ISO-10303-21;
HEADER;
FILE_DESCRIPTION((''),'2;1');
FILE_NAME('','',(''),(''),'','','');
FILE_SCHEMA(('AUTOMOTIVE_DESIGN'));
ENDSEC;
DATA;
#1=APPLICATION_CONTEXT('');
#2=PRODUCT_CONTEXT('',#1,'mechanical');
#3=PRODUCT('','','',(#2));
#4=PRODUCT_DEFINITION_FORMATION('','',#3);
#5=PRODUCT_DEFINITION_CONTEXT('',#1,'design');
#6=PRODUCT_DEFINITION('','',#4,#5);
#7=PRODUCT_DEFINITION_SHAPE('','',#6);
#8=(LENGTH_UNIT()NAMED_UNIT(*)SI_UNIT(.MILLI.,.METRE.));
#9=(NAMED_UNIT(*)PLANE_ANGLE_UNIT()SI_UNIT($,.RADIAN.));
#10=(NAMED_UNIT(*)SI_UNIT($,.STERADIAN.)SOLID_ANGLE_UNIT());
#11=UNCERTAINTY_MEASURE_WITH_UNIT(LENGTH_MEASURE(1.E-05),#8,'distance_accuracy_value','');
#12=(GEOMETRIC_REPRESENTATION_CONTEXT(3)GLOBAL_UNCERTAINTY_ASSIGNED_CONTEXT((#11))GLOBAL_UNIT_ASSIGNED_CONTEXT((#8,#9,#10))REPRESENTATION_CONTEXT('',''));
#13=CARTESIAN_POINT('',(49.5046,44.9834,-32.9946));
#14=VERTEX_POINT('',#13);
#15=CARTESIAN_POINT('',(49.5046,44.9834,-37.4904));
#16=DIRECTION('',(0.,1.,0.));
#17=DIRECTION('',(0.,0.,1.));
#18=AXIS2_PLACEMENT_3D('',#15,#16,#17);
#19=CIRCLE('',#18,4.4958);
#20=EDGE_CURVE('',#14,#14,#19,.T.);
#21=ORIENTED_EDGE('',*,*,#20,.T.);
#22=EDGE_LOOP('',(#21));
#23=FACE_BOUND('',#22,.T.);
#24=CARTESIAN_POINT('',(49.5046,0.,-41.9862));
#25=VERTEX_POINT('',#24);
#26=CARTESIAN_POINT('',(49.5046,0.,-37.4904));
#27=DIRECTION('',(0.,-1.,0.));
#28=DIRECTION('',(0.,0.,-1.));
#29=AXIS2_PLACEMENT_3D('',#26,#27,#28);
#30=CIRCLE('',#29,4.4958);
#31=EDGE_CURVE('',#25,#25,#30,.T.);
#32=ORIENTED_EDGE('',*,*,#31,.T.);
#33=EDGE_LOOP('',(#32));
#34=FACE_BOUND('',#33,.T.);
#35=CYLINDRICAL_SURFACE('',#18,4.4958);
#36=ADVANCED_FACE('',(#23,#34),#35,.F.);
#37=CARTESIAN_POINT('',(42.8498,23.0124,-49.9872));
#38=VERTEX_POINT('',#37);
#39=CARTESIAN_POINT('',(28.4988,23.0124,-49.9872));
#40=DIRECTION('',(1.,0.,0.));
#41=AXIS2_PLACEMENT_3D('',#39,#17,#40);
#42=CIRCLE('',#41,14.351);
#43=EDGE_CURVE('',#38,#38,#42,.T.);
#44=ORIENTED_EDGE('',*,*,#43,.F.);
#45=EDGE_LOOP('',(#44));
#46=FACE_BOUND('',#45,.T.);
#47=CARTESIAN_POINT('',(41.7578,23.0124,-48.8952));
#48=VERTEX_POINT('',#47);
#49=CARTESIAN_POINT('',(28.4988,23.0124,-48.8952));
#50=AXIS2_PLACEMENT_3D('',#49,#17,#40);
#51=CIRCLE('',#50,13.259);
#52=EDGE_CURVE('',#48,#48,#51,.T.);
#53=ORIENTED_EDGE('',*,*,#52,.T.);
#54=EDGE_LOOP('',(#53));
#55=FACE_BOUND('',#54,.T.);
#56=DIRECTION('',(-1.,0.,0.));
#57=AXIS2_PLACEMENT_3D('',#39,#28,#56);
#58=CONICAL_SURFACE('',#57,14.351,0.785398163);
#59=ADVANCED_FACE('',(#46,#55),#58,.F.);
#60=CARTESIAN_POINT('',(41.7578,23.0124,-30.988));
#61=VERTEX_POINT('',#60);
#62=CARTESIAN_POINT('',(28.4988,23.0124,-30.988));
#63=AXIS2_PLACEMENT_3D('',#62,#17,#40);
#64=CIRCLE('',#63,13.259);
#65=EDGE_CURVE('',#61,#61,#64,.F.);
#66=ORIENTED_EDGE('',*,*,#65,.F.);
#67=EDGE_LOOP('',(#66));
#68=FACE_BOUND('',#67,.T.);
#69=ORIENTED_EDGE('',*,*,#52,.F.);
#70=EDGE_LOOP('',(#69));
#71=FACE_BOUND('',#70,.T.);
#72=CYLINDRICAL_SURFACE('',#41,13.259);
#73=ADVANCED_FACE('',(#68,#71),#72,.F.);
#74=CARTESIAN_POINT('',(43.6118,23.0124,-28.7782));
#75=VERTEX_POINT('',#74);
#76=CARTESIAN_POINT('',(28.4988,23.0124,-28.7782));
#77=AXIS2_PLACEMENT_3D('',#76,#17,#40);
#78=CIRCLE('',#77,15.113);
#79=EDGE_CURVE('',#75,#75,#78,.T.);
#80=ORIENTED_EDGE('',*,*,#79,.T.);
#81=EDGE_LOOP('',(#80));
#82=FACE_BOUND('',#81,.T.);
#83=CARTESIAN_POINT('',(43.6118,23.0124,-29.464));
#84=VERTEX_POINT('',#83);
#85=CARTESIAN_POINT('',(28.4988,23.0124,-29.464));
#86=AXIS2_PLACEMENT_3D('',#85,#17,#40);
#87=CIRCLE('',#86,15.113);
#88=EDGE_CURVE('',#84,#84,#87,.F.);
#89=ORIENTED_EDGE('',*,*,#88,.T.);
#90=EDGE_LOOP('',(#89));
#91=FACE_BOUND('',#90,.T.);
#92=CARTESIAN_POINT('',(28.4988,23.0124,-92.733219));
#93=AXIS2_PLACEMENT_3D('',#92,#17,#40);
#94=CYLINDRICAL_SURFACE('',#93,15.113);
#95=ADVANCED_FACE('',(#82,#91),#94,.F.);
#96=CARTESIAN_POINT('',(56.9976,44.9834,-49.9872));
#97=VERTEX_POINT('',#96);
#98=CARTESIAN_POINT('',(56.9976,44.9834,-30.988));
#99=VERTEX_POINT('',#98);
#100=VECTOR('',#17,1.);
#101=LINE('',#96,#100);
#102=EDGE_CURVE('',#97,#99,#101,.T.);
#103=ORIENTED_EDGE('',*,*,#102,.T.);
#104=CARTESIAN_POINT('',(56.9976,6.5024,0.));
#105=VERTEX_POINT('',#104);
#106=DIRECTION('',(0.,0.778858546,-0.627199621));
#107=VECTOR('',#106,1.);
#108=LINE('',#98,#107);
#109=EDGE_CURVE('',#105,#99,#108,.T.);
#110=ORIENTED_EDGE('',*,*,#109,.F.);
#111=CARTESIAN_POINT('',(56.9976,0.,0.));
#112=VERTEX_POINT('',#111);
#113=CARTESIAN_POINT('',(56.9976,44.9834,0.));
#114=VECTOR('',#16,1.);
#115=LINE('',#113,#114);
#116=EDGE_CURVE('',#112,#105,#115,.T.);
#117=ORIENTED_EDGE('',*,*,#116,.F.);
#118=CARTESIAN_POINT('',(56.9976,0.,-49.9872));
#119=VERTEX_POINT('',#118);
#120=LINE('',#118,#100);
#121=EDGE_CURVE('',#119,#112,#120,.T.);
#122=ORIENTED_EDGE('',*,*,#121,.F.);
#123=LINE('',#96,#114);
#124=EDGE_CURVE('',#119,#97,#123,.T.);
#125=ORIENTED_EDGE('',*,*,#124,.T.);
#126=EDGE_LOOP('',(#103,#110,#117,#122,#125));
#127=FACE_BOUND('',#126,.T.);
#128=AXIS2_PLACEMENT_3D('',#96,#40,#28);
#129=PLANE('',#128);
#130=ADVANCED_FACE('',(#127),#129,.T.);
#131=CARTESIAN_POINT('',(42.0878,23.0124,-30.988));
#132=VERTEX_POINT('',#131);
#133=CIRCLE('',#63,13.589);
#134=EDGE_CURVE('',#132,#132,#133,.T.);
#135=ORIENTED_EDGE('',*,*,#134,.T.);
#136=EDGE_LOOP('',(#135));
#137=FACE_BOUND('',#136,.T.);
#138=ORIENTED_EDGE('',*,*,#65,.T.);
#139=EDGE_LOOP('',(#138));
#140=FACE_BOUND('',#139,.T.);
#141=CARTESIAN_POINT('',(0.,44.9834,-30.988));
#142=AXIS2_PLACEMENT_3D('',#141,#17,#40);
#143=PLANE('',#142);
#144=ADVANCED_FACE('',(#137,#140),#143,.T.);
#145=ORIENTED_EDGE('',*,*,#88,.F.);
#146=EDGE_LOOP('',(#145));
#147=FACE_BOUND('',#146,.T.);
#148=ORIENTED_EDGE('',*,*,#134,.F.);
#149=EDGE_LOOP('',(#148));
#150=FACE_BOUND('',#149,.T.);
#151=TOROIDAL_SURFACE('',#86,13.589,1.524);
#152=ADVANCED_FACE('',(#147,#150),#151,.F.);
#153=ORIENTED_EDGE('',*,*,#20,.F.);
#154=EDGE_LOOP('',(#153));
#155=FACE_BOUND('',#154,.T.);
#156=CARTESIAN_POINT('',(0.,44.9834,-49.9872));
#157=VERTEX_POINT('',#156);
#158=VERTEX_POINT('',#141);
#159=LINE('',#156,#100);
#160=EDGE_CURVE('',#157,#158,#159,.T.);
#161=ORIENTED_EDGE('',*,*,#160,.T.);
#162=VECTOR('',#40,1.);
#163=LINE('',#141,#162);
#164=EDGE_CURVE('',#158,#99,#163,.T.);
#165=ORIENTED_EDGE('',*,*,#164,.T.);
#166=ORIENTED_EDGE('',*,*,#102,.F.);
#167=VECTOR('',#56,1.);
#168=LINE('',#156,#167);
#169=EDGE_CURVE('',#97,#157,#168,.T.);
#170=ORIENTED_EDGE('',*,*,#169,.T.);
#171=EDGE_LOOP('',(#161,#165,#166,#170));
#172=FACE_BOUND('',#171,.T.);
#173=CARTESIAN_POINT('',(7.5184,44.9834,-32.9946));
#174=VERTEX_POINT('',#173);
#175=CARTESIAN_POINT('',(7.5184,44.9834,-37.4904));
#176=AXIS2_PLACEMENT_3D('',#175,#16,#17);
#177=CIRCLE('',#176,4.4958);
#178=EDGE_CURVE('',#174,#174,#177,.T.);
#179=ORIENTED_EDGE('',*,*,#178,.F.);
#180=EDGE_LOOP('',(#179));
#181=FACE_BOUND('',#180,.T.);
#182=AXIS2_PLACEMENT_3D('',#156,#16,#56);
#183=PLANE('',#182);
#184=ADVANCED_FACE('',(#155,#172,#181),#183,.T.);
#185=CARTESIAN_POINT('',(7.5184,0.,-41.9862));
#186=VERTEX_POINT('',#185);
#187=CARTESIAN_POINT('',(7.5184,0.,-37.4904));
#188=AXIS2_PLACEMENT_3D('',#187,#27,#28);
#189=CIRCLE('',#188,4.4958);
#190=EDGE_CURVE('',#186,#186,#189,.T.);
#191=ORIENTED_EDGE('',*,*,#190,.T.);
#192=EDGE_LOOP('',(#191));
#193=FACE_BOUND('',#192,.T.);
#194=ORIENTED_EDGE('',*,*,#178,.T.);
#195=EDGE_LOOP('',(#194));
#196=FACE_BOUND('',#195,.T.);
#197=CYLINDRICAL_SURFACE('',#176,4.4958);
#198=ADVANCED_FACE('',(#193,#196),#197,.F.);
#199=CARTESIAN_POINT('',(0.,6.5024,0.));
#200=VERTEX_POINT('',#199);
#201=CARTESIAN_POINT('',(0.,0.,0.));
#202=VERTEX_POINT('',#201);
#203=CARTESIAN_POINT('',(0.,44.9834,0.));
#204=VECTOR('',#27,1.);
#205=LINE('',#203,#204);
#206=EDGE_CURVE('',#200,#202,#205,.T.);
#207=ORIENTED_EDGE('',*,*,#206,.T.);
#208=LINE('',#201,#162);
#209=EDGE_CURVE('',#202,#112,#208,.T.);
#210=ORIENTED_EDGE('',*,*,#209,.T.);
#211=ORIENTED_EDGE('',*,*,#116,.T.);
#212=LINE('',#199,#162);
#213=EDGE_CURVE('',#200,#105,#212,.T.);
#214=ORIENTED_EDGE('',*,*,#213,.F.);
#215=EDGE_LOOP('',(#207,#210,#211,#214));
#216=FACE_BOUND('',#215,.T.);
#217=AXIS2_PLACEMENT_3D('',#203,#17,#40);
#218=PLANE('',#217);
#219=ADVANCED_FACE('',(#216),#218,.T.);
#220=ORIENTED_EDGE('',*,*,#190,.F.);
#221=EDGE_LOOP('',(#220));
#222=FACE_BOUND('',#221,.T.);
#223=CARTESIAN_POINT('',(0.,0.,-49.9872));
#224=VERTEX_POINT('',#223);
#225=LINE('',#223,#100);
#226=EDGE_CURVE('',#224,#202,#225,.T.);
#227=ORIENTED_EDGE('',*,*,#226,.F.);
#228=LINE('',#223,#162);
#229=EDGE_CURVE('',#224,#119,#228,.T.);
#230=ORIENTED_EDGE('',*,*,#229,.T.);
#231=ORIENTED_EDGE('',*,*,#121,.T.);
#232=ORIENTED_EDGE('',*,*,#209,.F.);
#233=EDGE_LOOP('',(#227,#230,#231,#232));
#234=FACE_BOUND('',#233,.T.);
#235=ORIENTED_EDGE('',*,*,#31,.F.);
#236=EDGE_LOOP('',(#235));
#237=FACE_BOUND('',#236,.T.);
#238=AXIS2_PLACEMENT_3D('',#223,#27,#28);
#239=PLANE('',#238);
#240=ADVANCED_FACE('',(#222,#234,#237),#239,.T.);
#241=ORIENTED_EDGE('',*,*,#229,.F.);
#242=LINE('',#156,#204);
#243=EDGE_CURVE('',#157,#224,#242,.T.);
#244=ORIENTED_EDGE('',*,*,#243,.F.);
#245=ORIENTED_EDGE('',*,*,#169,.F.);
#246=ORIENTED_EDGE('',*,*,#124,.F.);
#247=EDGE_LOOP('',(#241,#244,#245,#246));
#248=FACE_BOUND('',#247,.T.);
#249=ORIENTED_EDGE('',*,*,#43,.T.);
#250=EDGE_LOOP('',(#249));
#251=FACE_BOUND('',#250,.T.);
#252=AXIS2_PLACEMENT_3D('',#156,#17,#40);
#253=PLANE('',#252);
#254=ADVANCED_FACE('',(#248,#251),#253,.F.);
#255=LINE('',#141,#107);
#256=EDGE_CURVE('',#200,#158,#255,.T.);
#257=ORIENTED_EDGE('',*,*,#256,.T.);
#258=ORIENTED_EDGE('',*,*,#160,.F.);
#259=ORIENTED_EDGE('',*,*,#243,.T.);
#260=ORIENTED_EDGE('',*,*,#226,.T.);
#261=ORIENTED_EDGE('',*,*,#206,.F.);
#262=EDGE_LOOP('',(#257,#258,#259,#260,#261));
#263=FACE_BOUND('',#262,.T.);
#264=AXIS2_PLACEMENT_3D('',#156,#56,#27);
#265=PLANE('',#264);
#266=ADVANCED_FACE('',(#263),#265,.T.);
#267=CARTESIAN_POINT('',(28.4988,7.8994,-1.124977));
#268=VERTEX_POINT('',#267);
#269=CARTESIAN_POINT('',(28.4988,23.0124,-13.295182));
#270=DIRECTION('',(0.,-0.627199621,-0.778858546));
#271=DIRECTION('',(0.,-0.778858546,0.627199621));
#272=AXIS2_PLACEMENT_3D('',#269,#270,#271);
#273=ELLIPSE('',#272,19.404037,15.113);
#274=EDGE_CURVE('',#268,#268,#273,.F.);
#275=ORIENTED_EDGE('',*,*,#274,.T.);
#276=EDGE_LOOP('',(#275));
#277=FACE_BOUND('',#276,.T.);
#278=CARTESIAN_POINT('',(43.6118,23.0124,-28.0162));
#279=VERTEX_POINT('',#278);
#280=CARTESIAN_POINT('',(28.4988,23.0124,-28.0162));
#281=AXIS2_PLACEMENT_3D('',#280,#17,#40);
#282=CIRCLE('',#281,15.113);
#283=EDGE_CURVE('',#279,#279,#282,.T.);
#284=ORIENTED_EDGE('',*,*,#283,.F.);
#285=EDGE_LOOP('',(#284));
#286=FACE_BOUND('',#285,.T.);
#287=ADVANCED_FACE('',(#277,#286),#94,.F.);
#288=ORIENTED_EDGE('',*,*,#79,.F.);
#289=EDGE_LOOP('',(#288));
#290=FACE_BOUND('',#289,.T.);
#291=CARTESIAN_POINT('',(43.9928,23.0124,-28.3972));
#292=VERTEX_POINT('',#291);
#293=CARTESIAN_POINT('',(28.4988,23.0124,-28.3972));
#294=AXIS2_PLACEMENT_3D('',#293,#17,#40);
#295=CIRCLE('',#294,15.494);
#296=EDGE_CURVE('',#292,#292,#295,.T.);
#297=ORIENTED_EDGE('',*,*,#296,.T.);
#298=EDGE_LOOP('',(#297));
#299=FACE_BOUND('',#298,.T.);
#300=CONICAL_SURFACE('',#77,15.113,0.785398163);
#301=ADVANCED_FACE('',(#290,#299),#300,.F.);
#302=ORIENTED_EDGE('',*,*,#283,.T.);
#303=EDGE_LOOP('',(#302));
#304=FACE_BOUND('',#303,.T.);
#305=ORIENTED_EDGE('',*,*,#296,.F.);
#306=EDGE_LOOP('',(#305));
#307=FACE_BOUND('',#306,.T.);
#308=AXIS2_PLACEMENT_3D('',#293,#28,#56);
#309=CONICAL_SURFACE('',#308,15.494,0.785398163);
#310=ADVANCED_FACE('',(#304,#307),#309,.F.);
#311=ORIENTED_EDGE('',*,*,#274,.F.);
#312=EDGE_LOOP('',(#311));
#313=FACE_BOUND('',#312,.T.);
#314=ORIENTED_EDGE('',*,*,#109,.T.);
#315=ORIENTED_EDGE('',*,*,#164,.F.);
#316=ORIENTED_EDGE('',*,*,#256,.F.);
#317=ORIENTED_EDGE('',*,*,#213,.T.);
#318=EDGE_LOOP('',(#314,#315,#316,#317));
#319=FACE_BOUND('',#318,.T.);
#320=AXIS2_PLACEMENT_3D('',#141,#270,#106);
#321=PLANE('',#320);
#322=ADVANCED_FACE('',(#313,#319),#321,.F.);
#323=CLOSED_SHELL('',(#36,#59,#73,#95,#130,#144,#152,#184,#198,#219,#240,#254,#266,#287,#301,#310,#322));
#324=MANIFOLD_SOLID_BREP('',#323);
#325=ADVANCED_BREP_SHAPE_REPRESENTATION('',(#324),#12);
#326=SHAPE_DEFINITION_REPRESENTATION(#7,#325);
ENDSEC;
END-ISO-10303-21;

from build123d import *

# Parameters (mm, degrees)
SKETCH1_W          = 56.9976
SKETCH1_H          = 44.9834
SKETCH1_R          = 13.259
EXTRUDE1_DEPTH     = 49.9872
CUT_EXTRUDE1_DEPTH = 57.9976
SKETCH3_R          = 15.113
CUT_EXTRUDE2_DEPTH = 30.988
FILLET1_R          = 1.524
HOLE1_D            = 8.9916
HOLE1_DEPTH        = 44.9834


with BuildPart() as part:
    # Sketch1 → Extrude1 (new body)
    with BuildSketch(Plane.XY):
        with Locations((28.4988, 22.4917)):
            Rectangle(SKETCH1_W, SKETCH1_H)
        with Locations((28.4988, 23.0124)):
            Circle(SKETCH1_R, mode=Mode.SUBTRACT)
    extrude(amount=-EXTRUDE1_DEPTH)

    # Sketch2 → Cut-Extrude1 (cut, through all)
    with BuildSketch(Plane(origin=(56.9976, 0, 0), x_dir=(0, 0, -1), z_dir=(1, 0, 0))):
        Polygon((0, 44.9834), (30.988, 44.9834), (0, 6.5024), align=None)
    extrude(amount=-CUT_EXTRUDE1_DEPTH, mode=Mode.SUBTRACT)

    # Sketch3 → Cut-Extrude2 (cut)
    with BuildSketch(Plane(origin=(0, 0, 0), x_dir=(-1, 0, 0), z_dir=(0, 0, -1))):
        with Locations(Location((-28.4988, 23.0124, 0), (0, 0, 180))):  # turned: the seam where the file's is
            Circle(SKETCH3_R)
    extrude(amount=CUT_EXTRUDE2_DEPTH, mode=Mode.SUBTRACT)

    # Fillet1
    fillet1_edges = [part.edges().sort_by_distance(p)[0] for p in [
        (13.3858, 23.0124, -30.988),
    ]]
    fillet(fillet1_edges, radius=FILLET1_R)

    # Hole1
    with Locations(Plane(origin=(0, 44.9834, 0), x_dir=(-1, 0, 0), z_dir=(0, 1, 0))):
        with Locations((-7.5184, -37.4904), (-49.5046, -37.4904)):
            Hole(HOLE1_D / 2, depth=HOLE1_DEPTH)

    # Sketch6 → Cut-Revolve1 (revolve, cut)
    with BuildSketch(Plane(origin=(0, 23.0124, 0), x_dir=(-1, 0, 0), z_dir=(0, 1, 0)), mode=Mode.PRIVATE) as cut_revolve1_sk:
        Polygon((-13.3858, -28.0162), (-13.3858, -28.7782), (-13.0048, -28.3972), align=None)
        Polygon((-15.2398, -48.8952), (-15.2398, -49.9872), (-14.1478, -49.9872), align=None)
    revolve(cut_revolve1_sk.sketch.rotate(Axis((28.4988, 23.0124, 17.508123997), (0, 0, -1)), 180), axis=Axis((28.4988, 23.0124, 17.508123997), (0, 0, -1)), mode=Mode.SUBTRACT)  # turned: the seam where the file's is


solid = part.part
